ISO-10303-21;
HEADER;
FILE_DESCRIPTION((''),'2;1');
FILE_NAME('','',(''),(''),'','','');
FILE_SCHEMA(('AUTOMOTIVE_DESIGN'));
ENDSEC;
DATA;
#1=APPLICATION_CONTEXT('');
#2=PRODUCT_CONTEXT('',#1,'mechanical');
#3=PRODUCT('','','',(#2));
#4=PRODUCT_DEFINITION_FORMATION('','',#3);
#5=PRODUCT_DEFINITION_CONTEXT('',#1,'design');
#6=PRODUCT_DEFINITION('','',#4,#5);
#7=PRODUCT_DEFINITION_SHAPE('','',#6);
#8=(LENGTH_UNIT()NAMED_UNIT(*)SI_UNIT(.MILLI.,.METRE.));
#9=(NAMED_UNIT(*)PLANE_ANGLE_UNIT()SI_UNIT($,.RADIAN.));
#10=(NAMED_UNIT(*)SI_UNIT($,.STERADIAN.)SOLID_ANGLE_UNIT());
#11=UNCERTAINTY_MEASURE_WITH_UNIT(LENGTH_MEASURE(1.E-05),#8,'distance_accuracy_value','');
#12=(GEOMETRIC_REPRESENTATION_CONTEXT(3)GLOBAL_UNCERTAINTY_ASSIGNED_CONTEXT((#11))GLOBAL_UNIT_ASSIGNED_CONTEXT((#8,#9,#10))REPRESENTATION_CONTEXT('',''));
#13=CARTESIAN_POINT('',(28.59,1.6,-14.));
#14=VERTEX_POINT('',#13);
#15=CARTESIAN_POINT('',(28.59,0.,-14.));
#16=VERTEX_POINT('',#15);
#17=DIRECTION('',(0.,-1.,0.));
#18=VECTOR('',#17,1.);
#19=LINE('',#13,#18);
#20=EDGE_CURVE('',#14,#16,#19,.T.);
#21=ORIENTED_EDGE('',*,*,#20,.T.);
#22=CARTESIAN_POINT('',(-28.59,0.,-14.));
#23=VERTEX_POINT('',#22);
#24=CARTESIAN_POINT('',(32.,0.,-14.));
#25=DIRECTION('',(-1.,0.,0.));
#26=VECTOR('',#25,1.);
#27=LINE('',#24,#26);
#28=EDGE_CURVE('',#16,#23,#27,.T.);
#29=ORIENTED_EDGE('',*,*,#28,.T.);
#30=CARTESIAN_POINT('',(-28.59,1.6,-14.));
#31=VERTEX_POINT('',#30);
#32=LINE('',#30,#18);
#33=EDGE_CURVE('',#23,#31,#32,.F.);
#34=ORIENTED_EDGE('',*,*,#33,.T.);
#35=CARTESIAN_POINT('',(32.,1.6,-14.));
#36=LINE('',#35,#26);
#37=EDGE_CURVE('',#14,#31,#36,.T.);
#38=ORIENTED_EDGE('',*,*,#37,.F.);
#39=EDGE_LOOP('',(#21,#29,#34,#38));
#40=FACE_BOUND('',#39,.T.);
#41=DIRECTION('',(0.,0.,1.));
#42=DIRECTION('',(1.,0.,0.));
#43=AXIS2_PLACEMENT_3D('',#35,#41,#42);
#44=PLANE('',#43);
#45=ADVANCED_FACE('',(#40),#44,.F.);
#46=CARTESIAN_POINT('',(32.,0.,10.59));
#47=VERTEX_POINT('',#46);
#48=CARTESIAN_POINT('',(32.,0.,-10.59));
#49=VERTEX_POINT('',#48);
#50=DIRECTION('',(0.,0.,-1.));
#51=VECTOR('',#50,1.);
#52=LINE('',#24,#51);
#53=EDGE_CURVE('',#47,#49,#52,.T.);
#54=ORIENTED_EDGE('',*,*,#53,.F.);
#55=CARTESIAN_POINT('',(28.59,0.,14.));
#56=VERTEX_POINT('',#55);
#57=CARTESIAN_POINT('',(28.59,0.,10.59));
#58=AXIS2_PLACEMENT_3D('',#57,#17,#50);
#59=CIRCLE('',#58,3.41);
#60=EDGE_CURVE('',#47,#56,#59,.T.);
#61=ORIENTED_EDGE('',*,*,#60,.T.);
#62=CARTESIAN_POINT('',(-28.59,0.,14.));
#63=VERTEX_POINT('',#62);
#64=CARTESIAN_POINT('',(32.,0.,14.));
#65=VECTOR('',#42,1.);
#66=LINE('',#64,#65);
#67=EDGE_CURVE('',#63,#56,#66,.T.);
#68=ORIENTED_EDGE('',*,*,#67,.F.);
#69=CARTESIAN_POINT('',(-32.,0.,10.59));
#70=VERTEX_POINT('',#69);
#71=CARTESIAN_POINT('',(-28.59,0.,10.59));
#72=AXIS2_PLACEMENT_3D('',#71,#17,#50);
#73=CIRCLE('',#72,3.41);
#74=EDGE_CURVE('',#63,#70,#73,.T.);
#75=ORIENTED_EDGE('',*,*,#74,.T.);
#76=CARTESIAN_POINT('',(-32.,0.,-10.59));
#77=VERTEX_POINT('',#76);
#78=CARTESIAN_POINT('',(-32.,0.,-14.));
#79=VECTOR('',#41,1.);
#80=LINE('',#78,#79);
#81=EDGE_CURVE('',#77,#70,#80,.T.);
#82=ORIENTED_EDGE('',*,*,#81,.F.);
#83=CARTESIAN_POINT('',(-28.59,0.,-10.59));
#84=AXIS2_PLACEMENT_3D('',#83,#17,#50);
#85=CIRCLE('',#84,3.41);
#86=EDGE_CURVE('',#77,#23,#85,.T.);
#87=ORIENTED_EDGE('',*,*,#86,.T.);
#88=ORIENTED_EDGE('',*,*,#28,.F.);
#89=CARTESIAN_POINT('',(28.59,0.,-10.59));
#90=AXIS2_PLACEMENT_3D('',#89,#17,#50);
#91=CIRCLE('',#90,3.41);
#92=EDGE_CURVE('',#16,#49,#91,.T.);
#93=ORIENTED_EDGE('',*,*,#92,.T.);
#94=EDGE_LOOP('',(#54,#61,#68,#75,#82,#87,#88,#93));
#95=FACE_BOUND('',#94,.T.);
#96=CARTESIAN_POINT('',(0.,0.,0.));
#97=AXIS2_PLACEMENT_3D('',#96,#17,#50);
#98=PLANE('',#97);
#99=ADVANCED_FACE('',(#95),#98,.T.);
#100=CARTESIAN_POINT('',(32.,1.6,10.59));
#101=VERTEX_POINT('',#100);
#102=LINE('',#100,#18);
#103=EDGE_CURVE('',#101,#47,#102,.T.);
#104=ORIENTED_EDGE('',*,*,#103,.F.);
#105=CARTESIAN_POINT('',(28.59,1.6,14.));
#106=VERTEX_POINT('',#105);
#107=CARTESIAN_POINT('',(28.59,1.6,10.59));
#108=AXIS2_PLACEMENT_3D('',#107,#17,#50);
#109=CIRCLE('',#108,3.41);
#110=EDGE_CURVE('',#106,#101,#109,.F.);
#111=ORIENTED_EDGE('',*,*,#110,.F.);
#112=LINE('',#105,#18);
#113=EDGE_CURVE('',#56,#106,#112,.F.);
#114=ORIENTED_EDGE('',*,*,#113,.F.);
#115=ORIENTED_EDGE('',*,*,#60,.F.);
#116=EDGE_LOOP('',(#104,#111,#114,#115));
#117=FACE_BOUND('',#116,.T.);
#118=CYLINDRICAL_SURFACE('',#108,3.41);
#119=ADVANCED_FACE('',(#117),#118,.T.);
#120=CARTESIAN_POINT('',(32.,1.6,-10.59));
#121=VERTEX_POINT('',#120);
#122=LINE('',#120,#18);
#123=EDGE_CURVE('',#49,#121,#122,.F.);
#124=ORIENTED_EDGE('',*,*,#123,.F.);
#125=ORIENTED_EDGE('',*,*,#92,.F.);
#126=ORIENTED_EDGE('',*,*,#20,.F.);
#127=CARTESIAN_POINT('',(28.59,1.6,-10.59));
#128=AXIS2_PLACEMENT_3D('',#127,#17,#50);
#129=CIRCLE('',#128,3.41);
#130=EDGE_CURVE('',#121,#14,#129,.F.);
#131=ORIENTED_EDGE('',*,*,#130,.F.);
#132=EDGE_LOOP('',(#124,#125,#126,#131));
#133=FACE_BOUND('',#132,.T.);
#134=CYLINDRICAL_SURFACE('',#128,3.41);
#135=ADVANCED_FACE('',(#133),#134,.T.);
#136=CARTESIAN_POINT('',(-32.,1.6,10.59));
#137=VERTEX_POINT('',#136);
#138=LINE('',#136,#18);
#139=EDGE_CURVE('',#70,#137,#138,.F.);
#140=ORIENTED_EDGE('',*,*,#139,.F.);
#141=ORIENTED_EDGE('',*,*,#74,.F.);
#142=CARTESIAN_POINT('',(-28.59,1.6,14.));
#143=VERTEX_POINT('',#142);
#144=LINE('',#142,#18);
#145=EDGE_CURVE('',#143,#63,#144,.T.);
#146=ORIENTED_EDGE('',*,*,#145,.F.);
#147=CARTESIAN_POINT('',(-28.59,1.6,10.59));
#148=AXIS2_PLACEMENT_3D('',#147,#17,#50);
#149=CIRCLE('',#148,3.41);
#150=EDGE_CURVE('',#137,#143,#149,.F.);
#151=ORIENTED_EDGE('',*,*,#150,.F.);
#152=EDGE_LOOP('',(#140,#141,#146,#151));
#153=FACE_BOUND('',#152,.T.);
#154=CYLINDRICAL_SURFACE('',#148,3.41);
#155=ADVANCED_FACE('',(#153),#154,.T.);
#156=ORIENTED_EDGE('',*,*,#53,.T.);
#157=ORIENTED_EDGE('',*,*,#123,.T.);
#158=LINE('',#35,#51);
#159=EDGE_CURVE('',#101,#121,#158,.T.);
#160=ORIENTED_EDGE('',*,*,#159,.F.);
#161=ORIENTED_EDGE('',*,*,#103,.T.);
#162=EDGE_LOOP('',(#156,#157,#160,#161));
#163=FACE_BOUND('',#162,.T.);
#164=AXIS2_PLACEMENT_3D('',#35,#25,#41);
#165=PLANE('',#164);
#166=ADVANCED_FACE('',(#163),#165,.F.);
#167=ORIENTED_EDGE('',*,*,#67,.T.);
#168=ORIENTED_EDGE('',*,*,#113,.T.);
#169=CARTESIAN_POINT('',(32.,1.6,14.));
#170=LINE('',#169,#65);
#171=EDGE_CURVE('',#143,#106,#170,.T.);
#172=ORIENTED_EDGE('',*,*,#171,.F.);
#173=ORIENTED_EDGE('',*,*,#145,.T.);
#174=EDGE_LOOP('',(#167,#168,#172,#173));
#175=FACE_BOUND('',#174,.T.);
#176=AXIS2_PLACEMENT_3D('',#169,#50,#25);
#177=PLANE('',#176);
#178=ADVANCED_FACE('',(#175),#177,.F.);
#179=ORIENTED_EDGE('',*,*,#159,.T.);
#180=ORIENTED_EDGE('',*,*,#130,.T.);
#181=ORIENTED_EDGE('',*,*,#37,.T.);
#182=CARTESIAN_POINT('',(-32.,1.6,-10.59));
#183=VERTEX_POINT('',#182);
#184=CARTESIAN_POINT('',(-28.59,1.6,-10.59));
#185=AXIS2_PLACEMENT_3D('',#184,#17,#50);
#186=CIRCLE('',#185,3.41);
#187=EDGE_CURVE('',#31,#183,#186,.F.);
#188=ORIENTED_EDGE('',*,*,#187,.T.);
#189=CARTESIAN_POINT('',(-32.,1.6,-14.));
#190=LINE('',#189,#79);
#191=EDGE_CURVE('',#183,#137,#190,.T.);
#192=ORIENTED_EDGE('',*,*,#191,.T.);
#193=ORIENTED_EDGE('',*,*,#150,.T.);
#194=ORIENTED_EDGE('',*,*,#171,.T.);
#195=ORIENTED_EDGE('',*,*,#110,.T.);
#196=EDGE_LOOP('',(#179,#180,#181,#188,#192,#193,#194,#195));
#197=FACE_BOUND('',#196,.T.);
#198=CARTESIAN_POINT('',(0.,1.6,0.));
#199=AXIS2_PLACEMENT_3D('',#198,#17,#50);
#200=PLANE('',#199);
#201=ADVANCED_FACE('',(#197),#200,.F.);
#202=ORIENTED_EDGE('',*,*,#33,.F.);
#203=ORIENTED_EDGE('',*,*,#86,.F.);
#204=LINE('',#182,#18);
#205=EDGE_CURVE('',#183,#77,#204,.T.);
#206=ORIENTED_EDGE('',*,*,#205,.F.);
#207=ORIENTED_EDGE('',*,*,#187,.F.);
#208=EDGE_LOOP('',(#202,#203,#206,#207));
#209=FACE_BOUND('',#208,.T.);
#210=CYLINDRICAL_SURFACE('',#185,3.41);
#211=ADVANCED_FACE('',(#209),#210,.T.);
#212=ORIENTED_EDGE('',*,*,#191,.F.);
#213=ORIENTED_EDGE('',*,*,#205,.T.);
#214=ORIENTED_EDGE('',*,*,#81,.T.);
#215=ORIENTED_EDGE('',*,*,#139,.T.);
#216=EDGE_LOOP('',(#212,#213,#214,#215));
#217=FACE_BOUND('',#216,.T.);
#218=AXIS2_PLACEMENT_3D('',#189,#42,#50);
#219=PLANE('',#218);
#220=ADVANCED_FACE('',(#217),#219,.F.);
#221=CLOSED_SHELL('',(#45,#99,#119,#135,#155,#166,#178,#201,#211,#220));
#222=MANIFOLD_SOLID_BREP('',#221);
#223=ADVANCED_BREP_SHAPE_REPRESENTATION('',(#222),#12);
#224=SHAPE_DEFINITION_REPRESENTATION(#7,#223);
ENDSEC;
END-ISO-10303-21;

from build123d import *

# Parameters (mm, degrees)
SKETCH1_W           = 64
SKETCH1_H           = 28
BOSS_EXTRUDE1_DEPTH = 1.6
FILLET1_R           = 3.41


with BuildPart() as part:
    # Sketch1 → Boss-Extrude1 (new body)
    with BuildSketch(Plane(origin=(0, 0, 0), x_dir=(1, 0, 0), z_dir=(0, 1, 0))):
        Rectangle(SKETCH1_W, SKETCH1_H)
    extrude(amount=BOSS_EXTRUDE1_DEPTH)

    # Fillet1
    fillet1_edges = [part.edges().sort_by_distance(p)[0] for p in [
        (-32, 0.8, -14),
        (32, 0.8, -14),
        (32, 0.8, 14),
        (-32, 0.8, 14),
    ]]
    fillet(fillet1_edges, radius=FILLET1_R)


solid = part.part
